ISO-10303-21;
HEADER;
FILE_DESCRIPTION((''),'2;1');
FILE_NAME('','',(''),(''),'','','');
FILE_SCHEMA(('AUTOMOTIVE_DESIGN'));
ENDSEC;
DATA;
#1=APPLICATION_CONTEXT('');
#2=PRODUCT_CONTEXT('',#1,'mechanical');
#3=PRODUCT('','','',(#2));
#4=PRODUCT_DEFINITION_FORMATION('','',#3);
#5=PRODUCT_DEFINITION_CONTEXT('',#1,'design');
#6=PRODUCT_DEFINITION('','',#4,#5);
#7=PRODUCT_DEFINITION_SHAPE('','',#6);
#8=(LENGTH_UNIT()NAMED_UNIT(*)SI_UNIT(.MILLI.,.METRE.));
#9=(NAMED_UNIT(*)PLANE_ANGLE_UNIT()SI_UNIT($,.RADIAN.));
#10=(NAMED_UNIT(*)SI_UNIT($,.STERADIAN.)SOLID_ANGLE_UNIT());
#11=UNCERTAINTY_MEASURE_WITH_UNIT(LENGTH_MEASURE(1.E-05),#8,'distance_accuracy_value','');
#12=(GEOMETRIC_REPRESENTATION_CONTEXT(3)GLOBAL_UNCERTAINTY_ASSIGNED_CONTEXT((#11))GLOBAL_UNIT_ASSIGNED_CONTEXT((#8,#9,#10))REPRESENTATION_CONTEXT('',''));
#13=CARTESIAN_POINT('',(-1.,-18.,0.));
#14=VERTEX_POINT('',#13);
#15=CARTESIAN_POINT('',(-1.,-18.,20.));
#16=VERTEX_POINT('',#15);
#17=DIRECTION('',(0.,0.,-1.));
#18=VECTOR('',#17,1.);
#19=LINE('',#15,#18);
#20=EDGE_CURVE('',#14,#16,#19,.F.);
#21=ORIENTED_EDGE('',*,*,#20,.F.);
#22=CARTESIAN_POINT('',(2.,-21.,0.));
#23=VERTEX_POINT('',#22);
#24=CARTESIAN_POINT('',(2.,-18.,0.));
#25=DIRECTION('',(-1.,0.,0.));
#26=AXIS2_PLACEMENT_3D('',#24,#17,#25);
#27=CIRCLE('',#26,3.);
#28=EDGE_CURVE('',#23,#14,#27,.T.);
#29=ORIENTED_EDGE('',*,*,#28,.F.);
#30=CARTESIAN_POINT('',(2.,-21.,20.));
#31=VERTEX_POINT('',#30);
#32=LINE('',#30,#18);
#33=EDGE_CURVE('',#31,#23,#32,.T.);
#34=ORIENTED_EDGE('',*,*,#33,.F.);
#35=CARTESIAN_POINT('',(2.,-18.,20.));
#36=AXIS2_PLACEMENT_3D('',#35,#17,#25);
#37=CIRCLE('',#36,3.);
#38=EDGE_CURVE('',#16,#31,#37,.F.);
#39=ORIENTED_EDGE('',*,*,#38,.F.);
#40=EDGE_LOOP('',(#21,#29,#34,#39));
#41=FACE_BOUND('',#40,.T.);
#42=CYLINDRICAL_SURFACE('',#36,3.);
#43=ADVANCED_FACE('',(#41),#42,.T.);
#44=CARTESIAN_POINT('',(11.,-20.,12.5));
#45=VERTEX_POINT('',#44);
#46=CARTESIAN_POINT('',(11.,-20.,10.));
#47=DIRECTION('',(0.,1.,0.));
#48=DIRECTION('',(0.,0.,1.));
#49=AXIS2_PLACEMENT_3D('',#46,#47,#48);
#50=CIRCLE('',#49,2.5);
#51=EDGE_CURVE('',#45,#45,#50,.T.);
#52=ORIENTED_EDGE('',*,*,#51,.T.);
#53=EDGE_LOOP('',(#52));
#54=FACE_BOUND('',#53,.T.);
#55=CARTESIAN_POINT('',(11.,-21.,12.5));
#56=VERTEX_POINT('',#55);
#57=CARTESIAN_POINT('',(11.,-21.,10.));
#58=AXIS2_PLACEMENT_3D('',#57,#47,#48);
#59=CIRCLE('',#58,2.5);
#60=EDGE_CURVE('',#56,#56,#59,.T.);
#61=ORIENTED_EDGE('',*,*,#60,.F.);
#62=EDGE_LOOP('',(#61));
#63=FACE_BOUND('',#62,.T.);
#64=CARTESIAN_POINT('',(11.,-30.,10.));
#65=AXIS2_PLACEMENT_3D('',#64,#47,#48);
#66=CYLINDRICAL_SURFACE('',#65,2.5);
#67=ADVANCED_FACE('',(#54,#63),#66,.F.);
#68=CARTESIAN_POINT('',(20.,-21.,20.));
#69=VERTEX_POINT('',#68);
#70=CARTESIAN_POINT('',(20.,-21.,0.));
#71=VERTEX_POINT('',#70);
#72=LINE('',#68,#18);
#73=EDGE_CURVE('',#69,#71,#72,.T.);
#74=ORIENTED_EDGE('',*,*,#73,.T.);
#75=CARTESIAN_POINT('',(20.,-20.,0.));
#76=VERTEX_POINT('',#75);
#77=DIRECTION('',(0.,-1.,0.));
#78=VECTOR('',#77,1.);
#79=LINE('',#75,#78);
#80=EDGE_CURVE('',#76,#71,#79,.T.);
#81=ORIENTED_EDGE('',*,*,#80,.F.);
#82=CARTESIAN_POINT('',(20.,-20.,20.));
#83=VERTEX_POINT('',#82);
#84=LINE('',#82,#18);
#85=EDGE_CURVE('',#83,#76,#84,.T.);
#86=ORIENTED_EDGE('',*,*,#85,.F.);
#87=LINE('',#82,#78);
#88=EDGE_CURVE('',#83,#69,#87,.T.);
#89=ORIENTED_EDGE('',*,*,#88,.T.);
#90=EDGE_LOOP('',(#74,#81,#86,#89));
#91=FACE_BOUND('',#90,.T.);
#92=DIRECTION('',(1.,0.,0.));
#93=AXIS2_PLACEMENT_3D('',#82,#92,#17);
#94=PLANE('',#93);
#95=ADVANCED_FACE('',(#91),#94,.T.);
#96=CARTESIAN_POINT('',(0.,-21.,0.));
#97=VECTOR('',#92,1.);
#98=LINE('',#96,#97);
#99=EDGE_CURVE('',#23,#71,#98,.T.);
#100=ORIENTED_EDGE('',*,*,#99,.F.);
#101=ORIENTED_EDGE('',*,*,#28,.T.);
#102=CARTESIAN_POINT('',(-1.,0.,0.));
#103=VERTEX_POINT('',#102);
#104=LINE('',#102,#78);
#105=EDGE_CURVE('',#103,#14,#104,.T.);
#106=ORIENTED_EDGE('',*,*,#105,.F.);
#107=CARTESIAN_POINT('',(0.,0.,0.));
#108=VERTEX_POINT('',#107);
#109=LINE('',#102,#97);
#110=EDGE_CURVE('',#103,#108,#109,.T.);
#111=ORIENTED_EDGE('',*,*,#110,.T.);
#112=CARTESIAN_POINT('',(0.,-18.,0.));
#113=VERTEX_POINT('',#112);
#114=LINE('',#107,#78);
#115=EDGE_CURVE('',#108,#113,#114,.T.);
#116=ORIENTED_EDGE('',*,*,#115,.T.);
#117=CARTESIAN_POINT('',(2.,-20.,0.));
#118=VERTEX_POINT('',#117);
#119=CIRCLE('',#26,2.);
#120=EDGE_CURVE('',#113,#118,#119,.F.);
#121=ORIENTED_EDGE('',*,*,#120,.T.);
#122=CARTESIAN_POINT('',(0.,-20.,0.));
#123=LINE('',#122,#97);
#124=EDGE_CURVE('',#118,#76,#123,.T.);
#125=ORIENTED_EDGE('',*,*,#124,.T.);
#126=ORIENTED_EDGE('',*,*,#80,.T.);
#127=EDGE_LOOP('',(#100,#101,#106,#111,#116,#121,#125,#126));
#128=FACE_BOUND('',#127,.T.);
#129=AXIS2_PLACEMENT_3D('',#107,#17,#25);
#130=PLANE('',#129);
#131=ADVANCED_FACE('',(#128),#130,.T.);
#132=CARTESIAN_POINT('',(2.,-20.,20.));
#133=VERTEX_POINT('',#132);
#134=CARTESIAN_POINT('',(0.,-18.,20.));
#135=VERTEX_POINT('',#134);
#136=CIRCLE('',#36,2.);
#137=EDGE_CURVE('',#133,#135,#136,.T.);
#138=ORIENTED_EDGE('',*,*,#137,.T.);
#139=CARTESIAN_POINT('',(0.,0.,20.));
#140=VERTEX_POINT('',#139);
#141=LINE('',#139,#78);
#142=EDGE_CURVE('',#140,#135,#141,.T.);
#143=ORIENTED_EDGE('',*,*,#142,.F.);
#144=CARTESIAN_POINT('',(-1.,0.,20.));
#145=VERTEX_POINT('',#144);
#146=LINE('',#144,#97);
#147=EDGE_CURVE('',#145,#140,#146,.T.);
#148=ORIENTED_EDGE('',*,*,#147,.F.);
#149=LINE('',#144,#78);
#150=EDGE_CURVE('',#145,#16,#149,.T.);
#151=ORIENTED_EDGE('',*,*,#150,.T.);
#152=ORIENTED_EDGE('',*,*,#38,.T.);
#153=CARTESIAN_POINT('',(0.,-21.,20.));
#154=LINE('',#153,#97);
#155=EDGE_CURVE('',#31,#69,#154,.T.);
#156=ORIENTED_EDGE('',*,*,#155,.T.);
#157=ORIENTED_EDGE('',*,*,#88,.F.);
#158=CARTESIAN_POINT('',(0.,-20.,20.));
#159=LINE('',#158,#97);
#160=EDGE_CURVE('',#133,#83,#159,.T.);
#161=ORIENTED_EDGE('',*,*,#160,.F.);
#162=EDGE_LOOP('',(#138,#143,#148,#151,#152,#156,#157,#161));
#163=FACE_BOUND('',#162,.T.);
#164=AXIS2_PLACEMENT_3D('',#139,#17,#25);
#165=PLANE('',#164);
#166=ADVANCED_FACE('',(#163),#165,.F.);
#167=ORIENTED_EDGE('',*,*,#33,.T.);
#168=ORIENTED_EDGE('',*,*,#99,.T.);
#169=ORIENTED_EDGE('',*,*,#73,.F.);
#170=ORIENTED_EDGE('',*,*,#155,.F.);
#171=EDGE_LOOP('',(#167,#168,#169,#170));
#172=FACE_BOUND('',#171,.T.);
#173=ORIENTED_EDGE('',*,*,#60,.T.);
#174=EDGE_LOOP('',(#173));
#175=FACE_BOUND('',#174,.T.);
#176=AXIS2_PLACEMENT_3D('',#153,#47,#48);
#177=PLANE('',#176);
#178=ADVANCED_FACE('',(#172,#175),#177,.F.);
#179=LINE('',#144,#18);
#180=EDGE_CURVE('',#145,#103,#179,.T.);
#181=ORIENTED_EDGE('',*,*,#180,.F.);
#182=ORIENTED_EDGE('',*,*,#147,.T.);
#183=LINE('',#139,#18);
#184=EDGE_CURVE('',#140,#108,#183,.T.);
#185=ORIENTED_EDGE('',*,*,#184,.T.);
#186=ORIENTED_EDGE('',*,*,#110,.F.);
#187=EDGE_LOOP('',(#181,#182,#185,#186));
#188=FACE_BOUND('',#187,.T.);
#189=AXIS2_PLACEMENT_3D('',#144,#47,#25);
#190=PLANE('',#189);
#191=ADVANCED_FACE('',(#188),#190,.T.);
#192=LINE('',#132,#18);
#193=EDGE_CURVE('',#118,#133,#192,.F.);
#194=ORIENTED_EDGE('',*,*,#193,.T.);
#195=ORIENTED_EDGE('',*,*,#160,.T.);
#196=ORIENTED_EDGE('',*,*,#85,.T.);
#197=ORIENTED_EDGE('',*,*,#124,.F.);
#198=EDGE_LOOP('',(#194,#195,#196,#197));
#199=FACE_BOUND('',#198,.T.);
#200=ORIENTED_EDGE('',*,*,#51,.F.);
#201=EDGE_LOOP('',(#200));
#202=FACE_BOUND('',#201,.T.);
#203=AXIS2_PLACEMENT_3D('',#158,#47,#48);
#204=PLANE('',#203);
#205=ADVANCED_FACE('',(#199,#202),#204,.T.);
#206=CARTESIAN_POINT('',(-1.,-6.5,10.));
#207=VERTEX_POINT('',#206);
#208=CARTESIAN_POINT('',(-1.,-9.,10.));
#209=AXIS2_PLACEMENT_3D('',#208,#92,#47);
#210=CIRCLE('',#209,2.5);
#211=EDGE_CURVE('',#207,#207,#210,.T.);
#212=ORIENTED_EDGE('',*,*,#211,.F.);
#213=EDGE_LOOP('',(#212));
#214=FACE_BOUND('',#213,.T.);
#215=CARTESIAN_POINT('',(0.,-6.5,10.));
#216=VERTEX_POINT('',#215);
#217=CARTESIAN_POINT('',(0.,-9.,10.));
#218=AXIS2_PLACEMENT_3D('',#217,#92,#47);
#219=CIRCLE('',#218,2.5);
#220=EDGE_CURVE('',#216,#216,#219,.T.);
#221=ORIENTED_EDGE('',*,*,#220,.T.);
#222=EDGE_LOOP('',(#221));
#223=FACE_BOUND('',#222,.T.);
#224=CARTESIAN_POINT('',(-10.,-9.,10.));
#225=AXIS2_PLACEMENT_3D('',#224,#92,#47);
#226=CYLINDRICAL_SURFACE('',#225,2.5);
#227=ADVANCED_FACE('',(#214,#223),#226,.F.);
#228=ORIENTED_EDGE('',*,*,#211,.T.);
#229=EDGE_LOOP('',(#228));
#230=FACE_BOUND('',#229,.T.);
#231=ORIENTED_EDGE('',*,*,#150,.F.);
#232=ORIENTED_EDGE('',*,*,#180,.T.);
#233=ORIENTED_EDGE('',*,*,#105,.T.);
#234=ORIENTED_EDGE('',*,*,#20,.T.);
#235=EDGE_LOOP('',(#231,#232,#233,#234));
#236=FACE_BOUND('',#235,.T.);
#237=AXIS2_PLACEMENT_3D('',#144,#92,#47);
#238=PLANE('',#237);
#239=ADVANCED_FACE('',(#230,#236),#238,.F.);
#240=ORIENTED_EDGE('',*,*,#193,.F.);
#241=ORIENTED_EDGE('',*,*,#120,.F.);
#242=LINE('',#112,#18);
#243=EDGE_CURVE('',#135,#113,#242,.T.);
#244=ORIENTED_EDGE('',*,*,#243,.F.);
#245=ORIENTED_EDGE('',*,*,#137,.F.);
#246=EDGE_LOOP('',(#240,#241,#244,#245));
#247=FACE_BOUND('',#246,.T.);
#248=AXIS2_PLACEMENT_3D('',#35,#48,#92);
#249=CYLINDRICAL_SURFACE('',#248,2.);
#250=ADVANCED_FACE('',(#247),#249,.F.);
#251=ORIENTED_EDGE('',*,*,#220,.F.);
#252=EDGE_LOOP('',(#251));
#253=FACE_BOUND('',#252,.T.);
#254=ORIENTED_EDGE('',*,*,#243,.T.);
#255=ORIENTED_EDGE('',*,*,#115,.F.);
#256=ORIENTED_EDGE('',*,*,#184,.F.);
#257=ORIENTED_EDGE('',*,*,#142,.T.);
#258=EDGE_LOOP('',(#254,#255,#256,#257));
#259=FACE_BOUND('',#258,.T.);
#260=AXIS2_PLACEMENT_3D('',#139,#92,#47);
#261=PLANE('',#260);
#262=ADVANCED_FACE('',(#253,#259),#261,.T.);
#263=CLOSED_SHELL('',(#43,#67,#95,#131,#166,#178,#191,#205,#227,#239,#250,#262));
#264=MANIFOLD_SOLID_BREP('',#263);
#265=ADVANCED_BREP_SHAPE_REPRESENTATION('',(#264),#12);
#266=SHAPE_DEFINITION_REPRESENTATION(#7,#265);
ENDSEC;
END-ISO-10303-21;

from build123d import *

# Parameters (mm, degrees)
EXTRUDE_THIN1_DEPTH = 20
FILLET1_R           = 3
FILLET3_R           = 2
SKETCH3_R           = 2.5
CUT_EXTRUDE1_DEPTH  = 10
SKETCH4_R           = 2.5
CUT_EXTRUDE2_DEPTH  = 10


with BuildPart() as part:
    # Sketch1 → Extrude-Thin1 (new body)
    with BuildSketch(Plane.XY):
        Polygon((0, 0), (0, -20), (20, -20), (20, -21), (-1, -21), (-1, 0), align=None)
    extrude(amount=EXTRUDE_THIN1_DEPTH)

    # Fillet1
    fillet1_edges = [part.edges().sort_by_distance(p)[0] for p in [
        (-1, -21, 10),
    ]]
    fillet(fillet1_edges, radius=FILLET1_R)

    # Fillet3
    fillet3_edges = [part.edges().sort_by_distance(p)[0] for p in [
        (0, -20, 10),
    ]]
    fillet(fillet3_edges, radius=FILLET3_R)

    # Sketch3 → Cut-Extrude1 (cut)
    with BuildSketch(Plane(origin=(0, 0, 0), x_dir=(0, 0, -1), z_dir=(1, 0, 0))):
        with Locations(Location((-10, -9, 0), (0, 0, 90))):
            Circle(SKETCH3_R)
    extrude(amount=-CUT_EXTRUDE1_DEPTH, mode=Mode.SUBTRACT)

    # Sketch4 → Cut-Extrude2 (cut)
    with BuildSketch(Plane(origin=(0, -20, 0), x_dir=(1, 0, 0), z_dir=(0, 1, 0))):
        with Locations(Location((11, -10, 0), (0, 0, 270))):
            Circle(SKETCH4_R)
    extrude(amount=-CUT_EXTRUDE2_DEPTH, mode=Mode.SUBTRACT)


solid = part.part
